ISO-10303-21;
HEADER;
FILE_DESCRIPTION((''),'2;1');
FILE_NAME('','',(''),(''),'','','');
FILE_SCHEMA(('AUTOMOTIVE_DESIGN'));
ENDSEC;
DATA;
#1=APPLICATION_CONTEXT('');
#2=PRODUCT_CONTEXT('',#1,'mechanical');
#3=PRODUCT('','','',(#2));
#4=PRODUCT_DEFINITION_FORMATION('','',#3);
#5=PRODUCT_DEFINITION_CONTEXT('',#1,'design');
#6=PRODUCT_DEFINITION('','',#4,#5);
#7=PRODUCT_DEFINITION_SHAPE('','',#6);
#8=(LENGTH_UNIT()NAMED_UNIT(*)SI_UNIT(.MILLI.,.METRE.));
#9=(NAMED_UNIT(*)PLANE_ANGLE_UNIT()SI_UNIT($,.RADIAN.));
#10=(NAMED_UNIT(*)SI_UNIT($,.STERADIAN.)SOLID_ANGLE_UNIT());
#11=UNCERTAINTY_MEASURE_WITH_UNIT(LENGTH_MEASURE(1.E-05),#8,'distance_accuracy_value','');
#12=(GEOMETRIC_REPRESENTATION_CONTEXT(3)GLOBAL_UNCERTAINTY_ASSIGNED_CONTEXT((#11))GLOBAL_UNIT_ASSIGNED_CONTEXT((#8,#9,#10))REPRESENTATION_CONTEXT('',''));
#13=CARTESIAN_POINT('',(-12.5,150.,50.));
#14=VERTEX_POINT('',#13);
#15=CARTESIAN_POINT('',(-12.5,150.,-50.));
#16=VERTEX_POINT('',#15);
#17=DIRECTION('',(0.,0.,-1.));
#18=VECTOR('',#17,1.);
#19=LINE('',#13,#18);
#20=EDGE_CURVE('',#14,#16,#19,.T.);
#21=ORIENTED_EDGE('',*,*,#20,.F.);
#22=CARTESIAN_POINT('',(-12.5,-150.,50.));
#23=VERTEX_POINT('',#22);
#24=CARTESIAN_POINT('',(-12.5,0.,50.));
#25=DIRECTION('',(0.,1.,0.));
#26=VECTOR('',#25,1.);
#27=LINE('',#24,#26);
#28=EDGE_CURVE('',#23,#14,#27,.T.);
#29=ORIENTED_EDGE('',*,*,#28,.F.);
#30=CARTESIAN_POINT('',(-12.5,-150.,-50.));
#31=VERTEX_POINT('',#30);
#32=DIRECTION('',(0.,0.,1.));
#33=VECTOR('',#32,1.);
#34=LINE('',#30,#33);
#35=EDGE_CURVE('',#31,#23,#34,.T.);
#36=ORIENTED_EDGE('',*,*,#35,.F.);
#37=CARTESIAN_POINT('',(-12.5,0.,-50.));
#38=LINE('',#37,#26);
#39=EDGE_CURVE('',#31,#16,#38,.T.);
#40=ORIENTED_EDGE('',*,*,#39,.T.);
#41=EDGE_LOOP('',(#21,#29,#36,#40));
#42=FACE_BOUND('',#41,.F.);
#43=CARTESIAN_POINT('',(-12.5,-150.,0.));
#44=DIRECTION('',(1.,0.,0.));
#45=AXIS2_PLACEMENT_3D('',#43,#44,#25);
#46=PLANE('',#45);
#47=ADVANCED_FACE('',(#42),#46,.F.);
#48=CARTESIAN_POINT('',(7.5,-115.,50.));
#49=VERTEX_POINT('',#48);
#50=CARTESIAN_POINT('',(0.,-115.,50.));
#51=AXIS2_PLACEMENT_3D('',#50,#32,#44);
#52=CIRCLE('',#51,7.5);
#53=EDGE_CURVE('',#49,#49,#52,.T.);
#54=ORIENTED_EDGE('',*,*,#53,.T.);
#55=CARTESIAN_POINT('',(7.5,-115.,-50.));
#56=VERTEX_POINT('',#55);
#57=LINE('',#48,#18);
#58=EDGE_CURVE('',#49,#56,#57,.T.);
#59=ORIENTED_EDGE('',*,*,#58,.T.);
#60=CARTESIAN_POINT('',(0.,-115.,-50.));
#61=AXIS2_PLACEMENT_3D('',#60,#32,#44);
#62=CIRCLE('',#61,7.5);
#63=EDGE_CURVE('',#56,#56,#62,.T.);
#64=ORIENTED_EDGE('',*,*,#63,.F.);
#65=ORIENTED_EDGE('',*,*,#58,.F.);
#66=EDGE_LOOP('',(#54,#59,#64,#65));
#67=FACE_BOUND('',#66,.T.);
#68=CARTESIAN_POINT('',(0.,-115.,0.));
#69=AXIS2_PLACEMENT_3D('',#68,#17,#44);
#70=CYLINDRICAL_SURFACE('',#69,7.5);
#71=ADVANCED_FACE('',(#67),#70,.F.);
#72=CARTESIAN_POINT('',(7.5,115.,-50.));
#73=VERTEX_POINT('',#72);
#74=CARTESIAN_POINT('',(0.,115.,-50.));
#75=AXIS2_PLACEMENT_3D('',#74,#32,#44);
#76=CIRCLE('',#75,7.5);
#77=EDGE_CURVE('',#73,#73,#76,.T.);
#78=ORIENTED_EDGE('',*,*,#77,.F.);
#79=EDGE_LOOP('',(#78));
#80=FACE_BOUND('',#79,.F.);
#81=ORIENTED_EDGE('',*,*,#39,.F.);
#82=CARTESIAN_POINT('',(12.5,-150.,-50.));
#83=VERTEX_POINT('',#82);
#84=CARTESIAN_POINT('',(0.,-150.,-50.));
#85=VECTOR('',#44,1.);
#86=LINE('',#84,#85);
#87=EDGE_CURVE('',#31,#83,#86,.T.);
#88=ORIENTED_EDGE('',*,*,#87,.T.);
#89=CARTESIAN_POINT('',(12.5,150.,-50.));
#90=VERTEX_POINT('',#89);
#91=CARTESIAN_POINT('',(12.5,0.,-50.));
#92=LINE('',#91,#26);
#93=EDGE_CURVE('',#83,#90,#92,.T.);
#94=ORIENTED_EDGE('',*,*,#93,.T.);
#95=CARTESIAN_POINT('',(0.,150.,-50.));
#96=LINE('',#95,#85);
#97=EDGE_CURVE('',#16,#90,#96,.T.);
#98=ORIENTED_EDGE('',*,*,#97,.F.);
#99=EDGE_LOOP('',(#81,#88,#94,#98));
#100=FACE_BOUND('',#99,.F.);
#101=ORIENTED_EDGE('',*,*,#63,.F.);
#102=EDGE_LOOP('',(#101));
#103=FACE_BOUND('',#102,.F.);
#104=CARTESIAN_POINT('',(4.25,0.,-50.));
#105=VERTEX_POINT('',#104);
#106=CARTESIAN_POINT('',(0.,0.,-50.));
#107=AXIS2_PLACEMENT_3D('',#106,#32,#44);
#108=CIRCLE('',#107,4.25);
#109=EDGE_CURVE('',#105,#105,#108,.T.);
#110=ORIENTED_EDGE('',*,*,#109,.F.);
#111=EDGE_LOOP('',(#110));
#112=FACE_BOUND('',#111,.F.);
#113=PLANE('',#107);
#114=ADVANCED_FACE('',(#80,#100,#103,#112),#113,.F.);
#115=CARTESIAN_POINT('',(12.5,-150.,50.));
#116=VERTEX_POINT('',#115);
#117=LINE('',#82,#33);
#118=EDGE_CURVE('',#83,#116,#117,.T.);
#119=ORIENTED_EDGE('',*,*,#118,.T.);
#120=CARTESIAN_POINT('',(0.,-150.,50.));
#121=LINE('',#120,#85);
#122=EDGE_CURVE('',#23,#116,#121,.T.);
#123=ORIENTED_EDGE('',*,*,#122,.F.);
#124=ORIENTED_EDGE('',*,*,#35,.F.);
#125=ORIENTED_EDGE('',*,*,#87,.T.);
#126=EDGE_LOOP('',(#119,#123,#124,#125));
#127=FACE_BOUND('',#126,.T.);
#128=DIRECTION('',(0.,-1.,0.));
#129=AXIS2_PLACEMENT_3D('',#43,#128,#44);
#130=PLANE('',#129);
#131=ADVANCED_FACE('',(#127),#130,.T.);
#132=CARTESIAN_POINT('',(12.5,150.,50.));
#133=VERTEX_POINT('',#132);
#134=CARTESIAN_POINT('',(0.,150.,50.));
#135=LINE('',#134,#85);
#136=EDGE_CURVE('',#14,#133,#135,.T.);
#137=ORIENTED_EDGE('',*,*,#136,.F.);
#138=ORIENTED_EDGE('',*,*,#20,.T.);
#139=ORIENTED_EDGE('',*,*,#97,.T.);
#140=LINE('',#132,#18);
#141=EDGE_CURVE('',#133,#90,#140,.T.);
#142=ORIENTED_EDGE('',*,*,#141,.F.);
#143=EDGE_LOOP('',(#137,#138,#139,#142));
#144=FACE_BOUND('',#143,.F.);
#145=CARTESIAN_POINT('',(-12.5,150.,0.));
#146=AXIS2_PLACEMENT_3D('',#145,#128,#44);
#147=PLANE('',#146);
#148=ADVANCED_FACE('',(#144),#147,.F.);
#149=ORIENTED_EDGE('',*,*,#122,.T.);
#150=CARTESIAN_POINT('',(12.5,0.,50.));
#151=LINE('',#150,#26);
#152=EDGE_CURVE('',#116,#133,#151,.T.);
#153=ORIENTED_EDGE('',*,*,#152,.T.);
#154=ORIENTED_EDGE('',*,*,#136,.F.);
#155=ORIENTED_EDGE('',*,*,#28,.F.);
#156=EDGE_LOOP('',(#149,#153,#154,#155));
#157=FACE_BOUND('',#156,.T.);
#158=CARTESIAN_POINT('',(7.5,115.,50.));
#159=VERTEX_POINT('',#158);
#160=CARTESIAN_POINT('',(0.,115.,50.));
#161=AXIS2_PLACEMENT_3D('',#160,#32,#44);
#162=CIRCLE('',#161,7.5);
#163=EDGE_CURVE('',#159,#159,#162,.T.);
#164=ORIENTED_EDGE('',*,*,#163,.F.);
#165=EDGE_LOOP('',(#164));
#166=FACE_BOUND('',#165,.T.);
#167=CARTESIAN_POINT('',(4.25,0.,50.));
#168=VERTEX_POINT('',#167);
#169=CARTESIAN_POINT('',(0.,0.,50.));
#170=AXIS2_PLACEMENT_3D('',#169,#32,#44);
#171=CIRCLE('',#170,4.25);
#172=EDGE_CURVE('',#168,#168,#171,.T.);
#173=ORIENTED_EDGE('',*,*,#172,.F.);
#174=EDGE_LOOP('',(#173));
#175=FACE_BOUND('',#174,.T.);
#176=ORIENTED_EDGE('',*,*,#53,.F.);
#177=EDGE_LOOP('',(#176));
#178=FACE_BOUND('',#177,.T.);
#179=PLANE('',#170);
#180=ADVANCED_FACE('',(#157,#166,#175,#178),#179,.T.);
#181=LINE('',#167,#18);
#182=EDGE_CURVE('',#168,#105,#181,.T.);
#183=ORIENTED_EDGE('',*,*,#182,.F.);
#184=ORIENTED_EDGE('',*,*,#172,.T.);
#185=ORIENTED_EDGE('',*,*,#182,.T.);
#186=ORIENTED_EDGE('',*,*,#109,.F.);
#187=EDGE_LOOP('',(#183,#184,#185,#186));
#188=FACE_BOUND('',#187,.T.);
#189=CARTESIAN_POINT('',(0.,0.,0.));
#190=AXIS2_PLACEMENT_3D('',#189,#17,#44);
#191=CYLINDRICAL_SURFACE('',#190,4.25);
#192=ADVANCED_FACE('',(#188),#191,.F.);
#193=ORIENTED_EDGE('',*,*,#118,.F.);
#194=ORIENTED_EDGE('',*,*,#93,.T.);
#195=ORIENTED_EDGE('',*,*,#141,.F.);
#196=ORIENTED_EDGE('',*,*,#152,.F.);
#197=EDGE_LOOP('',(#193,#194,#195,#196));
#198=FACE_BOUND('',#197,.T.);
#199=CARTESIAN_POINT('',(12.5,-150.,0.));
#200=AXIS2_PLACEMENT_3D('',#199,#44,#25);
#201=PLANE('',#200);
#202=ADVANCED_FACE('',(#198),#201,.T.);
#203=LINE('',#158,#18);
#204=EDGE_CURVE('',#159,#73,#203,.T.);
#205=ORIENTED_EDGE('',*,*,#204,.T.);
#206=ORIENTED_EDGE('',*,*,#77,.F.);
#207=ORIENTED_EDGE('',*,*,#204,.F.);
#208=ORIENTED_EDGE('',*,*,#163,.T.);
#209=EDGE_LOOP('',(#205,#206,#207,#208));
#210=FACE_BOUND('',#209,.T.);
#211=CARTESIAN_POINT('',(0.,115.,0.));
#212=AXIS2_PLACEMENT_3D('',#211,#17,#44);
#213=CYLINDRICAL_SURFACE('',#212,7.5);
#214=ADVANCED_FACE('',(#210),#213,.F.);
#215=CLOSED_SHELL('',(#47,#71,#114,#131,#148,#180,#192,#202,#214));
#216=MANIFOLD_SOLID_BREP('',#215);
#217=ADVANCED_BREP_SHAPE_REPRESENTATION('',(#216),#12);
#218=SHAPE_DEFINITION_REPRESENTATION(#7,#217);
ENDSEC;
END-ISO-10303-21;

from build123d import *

# Parameters (mm, degrees)
F0_W     = 25
F0_H     = 300
F0_R     = 7.5
F0_R_2   = 4.25
F1_DEPTH = 50


with BuildPart() as f1:
    # F0 (on Top) → F1 (new body, symmetric)
    with BuildSketch(Plane.XY):
        Rectangle(F0_W, F0_H)
        with Locations((0, -115)):
            Circle(F0_R, mode=Mode.SUBTRACT)
        Circle(F0_R_2, mode=Mode.SUBTRACT)
        with Locations((0, 115)):
            Circle(F0_R, mode=Mode.SUBTRACT)
    extrude(amount=F1_DEPTH, both=True)


solid = f1.part
